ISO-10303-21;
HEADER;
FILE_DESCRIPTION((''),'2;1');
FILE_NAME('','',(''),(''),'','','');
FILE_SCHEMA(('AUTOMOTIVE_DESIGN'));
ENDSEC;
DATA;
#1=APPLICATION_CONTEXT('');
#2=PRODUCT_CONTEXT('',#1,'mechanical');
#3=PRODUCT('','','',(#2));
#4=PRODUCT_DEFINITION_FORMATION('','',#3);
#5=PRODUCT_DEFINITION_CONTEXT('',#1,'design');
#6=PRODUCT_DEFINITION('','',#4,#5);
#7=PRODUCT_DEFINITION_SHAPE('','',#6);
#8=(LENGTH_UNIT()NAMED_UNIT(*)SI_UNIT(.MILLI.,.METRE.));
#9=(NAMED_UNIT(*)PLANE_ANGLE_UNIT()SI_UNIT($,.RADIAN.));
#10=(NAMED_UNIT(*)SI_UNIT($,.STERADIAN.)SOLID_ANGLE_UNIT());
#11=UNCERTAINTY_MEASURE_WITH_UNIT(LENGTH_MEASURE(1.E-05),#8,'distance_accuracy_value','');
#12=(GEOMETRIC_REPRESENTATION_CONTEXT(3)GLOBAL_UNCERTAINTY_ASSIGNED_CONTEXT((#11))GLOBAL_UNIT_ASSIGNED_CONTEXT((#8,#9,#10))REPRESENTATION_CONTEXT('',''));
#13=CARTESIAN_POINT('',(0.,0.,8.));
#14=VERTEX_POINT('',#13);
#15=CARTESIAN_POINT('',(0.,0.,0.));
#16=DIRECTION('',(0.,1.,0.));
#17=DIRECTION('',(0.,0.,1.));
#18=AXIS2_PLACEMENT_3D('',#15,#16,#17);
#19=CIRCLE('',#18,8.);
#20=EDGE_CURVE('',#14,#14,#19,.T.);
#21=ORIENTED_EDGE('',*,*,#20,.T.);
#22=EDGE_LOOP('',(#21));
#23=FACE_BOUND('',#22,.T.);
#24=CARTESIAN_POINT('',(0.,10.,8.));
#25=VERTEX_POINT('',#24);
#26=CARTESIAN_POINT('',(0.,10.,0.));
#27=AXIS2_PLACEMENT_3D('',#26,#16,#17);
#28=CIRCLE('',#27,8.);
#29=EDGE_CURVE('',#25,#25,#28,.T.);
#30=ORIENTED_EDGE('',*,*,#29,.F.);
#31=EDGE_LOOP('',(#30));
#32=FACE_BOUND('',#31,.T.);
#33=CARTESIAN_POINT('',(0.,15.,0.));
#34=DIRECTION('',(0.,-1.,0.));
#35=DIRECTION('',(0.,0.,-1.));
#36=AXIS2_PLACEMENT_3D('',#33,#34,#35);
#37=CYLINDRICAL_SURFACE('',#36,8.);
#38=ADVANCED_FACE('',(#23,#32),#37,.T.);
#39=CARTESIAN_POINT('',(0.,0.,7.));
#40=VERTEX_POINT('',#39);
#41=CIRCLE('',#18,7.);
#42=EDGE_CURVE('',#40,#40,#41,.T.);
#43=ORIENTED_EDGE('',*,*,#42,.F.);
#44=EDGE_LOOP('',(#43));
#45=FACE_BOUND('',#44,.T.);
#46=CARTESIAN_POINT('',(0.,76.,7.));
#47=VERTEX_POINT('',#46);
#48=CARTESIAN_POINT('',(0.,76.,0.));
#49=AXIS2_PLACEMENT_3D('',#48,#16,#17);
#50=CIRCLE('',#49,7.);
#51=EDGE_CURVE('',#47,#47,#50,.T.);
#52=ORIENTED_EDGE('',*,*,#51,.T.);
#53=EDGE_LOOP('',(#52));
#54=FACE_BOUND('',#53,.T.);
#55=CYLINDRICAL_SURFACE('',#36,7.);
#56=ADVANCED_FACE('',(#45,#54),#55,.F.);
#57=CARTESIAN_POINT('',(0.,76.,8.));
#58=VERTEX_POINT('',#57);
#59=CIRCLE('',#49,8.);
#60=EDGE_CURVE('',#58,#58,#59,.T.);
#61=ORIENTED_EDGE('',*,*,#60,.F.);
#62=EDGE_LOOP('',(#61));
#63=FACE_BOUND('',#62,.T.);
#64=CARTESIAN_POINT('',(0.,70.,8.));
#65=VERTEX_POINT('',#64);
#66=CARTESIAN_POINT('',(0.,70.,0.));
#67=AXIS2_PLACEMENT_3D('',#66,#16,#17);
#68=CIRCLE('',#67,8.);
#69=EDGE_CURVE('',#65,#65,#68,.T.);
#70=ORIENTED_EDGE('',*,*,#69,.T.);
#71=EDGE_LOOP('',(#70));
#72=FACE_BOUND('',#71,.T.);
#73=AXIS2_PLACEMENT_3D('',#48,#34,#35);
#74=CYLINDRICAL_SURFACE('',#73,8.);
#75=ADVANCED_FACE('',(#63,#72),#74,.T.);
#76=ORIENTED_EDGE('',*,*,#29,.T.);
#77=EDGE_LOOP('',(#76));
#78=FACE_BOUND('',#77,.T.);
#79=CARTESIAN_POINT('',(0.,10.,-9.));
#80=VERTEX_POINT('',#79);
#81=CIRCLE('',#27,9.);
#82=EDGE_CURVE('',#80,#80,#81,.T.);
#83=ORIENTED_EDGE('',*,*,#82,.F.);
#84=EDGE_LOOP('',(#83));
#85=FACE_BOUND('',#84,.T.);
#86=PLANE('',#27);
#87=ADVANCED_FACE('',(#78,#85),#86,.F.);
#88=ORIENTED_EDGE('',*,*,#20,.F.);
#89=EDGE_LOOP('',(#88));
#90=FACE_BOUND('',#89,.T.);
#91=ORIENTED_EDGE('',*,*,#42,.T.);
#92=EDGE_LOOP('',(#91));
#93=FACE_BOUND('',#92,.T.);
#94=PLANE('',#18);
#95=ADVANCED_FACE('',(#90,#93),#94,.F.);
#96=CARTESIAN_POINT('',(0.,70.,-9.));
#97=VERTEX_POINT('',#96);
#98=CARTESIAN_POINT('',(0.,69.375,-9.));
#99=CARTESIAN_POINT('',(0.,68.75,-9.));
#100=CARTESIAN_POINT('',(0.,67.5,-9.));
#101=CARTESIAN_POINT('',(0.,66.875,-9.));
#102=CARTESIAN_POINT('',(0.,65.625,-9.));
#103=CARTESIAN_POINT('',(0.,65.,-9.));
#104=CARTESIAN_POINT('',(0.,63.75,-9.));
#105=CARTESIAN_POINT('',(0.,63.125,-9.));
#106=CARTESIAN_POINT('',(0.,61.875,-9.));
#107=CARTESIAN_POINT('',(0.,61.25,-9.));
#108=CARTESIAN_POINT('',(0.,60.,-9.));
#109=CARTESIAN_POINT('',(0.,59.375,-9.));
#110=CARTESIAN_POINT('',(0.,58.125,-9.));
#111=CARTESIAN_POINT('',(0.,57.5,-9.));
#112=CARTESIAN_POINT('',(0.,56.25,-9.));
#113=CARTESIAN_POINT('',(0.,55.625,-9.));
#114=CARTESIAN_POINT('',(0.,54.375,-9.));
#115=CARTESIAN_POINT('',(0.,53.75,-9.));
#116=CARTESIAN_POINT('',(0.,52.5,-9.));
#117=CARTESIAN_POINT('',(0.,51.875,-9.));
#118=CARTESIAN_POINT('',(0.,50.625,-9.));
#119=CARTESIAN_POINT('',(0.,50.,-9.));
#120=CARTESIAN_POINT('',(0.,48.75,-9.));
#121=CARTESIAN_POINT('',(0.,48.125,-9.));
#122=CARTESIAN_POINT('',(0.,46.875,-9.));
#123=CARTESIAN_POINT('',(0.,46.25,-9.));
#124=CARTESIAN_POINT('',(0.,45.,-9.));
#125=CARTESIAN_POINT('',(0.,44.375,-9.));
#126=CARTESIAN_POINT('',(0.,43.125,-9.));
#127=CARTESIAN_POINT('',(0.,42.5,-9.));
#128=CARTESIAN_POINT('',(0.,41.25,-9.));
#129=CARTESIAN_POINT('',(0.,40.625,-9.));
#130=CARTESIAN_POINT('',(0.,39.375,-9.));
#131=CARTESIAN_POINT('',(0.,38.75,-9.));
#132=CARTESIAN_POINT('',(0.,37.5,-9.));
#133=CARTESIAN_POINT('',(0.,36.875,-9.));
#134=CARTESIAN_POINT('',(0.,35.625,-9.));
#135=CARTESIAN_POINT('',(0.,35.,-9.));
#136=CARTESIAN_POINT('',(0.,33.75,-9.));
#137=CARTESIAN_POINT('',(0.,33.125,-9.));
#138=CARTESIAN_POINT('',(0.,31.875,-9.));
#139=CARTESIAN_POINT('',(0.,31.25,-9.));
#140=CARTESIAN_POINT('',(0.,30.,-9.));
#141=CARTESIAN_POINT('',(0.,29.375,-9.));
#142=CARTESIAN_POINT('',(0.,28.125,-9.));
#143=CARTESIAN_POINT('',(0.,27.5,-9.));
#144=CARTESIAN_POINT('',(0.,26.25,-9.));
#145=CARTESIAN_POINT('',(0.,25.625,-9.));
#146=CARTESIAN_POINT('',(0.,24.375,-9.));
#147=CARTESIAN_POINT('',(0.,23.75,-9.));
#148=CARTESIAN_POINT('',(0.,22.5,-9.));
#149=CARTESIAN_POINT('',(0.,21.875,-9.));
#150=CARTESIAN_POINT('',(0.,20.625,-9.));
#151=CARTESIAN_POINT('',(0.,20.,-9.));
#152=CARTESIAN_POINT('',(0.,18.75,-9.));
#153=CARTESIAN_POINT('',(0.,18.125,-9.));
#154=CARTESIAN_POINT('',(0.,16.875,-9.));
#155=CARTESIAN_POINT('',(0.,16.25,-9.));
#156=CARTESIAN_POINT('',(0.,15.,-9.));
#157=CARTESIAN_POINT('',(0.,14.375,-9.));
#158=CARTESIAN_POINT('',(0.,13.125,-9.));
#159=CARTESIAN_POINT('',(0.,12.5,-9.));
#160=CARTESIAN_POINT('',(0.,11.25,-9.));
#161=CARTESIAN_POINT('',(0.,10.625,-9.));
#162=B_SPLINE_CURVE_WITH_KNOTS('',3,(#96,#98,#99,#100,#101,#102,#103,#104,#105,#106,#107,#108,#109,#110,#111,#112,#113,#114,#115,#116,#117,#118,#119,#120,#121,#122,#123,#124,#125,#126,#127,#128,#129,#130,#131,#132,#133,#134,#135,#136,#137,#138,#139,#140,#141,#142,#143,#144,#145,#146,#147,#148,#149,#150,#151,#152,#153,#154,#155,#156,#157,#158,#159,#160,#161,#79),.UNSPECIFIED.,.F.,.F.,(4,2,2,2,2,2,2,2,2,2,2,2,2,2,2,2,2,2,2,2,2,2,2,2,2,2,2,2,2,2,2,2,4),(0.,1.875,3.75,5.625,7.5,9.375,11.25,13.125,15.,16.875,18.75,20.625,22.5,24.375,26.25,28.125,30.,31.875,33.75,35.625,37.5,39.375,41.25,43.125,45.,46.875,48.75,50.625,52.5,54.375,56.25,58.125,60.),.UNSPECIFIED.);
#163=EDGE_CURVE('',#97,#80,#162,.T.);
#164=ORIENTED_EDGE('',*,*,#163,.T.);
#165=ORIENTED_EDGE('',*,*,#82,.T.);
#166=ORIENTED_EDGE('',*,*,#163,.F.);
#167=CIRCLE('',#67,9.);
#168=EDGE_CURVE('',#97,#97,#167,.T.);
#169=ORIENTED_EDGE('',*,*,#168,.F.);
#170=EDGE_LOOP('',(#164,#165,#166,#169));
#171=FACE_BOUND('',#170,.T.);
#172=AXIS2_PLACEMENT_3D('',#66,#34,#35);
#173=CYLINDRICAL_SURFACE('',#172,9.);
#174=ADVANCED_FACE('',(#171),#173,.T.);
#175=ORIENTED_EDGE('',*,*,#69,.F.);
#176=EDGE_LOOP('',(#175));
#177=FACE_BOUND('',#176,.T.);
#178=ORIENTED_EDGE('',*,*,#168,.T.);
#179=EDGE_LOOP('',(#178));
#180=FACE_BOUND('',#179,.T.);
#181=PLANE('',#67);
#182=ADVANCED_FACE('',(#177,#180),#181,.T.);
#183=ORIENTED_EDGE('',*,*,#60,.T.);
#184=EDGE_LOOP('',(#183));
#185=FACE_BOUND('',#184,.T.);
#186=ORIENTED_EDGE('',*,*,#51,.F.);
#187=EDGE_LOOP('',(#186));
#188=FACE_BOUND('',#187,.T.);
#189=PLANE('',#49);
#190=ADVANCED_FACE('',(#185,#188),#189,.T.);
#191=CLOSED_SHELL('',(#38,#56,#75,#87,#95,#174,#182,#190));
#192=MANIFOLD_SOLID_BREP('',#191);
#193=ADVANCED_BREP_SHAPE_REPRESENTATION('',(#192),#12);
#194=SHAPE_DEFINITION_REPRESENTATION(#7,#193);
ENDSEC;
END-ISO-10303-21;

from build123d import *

# Parameters (mm, degrees)
SKETCH2_R                = 8
SKETCH2_R_2              = 7
BOSS_EXTRUDE3_DEPTH      = 15
BOSS_EXTRUDE6_DEPTH      = 11
BOSS_EXTRUDE6_DEPTH_BACK = 40
SKETCH4_R                = 8
SKETCH4_R_2              = 7
SKETCH3_R                = 9
SKETCH3_R_2              = 8
BOSS_EXTRUDE7_DEPTH      = 60
SKETCH6_R                = 8
SKETCH6_R_2              = 7
BOSS_EXTRUDE8_DEPTH      = 31


with BuildPart() as part:
    # Sketch2 → Boss-Extrude3 (new body)
    with BuildSketch(Plane(origin=(0, 0, 0), x_dir=(1, 0, 0), z_dir=(0, 1, 0))):
        with Locations(Location((0, 0, 0), (0, 0, 270))):
            Circle(SKETCH2_R)
        with Locations(Location((0, 0, 0), (0, 0, 270))):
            Circle(SKETCH2_R_2, mode=Mode.SUBTRACT)
    extrude(amount=BOSS_EXTRUDE3_DEPTH)

    # Sketch4 → Boss-Extrude6 (add, two sides: drawn at the far end of the back side and taken through both)
    with BuildSketch(Plane(origin=(0, 45, 0), x_dir=(1, 0, 0), z_dir=(0, 1, 0)).offset(-BOSS_EXTRUDE6_DEPTH_BACK)):
        with Locations(Location((0, 0, 0), (0, 0, 270))):
            Circle(SKETCH4_R)
        with Locations(Location((0, 0, 0), (0, 0, 270))):
            Circle(SKETCH4_R_2, mode=Mode.SUBTRACT)
    extrude(amount=BOSS_EXTRUDE6_DEPTH + BOSS_EXTRUDE6_DEPTH_BACK)

    # Sketch3 → Boss-Extrude7 (add)
    with BuildSketch(Plane(origin=(0, 10, 0), x_dir=(1, 0, 0), z_dir=(0, 1, 0))):
        with Locations(Location((0, 0, 0), (0, 0, 90))):
            Circle(SKETCH3_R)
        with Locations(Location((0, 0, 0), (0, 0, 270))):
            Circle(SKETCH3_R_2, mode=Mode.SUBTRACT)
    extrude(amount=BOSS_EXTRUDE7_DEPTH)

    # Sketch6 → Boss-Extrude8 (add)
    with BuildSketch(Plane(origin=(0, 45, 0), x_dir=(1, 0, 0), z_dir=(0, 1, 0))):
        with Locations(Location((0, 0, 0), (0, 0, 270))):
            Circle(SKETCH6_R)
        with Locations(Location((0, 0, 0), (0, 0, 270))):
            Circle(SKETCH6_R_2, mode=Mode.SUBTRACT)
    extrude(amount=BOSS_EXTRUDE8_DEPTH)


solid = part.part
